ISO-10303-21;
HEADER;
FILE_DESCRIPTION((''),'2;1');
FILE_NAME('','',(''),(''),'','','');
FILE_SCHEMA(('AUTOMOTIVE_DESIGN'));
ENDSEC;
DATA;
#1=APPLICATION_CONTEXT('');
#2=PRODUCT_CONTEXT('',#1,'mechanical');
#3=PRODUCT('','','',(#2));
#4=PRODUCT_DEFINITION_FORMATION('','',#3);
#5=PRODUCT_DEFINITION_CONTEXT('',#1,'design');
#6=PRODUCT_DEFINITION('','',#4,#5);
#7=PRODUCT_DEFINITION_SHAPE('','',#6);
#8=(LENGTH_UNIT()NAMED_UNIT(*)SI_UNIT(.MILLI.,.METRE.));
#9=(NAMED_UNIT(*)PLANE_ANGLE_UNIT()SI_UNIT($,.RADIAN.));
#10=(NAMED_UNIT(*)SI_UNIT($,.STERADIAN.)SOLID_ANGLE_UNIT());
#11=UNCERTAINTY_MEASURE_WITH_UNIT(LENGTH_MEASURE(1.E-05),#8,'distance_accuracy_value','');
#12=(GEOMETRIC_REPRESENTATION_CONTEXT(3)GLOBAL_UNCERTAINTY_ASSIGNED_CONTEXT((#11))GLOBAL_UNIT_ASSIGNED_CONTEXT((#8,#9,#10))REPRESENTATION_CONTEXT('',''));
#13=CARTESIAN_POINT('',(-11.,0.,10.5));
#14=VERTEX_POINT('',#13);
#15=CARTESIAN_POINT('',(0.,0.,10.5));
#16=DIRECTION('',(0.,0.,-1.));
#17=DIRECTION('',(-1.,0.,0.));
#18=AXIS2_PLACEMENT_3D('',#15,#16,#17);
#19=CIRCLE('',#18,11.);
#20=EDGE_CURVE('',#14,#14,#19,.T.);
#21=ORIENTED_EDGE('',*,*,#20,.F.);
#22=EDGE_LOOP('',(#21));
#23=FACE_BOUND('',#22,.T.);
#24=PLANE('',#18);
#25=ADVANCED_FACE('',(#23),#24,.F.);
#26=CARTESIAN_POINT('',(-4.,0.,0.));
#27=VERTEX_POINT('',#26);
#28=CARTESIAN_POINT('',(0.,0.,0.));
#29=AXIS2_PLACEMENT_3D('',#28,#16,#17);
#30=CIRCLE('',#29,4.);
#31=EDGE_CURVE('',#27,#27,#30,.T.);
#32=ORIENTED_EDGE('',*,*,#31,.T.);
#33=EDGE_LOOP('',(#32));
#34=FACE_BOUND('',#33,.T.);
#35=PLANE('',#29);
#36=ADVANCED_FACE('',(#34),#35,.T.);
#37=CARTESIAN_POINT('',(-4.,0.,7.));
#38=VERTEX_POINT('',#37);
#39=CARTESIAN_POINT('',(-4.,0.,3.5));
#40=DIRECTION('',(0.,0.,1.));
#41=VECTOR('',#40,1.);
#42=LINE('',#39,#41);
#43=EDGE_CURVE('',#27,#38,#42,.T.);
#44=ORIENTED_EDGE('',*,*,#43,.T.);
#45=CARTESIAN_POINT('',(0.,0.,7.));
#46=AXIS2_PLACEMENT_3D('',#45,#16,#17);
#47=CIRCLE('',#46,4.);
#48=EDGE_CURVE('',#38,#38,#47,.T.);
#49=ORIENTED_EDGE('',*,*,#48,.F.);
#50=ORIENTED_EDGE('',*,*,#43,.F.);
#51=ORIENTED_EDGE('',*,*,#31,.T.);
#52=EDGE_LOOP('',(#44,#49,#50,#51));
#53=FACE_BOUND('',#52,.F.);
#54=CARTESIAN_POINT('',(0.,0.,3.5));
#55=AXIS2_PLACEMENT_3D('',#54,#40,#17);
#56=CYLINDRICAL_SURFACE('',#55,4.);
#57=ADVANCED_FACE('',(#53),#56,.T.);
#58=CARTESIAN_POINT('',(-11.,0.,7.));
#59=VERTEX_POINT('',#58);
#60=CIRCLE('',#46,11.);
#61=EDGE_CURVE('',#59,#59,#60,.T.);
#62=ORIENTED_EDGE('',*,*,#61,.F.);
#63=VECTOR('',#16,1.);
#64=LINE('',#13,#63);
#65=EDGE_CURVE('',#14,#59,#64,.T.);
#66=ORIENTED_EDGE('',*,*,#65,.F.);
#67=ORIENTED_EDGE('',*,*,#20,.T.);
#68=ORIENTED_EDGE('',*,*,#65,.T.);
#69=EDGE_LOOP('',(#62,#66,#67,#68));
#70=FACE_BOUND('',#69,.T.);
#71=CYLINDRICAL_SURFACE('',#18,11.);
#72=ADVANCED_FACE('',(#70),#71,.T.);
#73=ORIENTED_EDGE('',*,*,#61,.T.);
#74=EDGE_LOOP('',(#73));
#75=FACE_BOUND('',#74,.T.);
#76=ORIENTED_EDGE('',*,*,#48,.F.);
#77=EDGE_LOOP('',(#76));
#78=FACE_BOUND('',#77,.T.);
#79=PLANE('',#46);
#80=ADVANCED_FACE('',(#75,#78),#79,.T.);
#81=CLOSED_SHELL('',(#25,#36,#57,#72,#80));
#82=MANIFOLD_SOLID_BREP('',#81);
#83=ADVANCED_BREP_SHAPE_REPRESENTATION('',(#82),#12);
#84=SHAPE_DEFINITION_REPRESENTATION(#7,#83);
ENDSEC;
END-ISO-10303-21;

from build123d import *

# Parameters (mm, degrees)
F0_W = 4
F0_H = 7


with BuildPart() as f1:
    # F0 (on Front) → F1 (revolve)
    with BuildSketch(Plane.XZ):
        Polygon((-11, 7), (-4, 7), (0, 7), (0, 10.5), (-11, 10.5), align=None)
        with Locations((-2, 3.5)):
            Rectangle(F0_W, F0_H)
    revolve(axis=Axis((0, 0, 8.75), (0, 0, -1)))


solid = f1.part
